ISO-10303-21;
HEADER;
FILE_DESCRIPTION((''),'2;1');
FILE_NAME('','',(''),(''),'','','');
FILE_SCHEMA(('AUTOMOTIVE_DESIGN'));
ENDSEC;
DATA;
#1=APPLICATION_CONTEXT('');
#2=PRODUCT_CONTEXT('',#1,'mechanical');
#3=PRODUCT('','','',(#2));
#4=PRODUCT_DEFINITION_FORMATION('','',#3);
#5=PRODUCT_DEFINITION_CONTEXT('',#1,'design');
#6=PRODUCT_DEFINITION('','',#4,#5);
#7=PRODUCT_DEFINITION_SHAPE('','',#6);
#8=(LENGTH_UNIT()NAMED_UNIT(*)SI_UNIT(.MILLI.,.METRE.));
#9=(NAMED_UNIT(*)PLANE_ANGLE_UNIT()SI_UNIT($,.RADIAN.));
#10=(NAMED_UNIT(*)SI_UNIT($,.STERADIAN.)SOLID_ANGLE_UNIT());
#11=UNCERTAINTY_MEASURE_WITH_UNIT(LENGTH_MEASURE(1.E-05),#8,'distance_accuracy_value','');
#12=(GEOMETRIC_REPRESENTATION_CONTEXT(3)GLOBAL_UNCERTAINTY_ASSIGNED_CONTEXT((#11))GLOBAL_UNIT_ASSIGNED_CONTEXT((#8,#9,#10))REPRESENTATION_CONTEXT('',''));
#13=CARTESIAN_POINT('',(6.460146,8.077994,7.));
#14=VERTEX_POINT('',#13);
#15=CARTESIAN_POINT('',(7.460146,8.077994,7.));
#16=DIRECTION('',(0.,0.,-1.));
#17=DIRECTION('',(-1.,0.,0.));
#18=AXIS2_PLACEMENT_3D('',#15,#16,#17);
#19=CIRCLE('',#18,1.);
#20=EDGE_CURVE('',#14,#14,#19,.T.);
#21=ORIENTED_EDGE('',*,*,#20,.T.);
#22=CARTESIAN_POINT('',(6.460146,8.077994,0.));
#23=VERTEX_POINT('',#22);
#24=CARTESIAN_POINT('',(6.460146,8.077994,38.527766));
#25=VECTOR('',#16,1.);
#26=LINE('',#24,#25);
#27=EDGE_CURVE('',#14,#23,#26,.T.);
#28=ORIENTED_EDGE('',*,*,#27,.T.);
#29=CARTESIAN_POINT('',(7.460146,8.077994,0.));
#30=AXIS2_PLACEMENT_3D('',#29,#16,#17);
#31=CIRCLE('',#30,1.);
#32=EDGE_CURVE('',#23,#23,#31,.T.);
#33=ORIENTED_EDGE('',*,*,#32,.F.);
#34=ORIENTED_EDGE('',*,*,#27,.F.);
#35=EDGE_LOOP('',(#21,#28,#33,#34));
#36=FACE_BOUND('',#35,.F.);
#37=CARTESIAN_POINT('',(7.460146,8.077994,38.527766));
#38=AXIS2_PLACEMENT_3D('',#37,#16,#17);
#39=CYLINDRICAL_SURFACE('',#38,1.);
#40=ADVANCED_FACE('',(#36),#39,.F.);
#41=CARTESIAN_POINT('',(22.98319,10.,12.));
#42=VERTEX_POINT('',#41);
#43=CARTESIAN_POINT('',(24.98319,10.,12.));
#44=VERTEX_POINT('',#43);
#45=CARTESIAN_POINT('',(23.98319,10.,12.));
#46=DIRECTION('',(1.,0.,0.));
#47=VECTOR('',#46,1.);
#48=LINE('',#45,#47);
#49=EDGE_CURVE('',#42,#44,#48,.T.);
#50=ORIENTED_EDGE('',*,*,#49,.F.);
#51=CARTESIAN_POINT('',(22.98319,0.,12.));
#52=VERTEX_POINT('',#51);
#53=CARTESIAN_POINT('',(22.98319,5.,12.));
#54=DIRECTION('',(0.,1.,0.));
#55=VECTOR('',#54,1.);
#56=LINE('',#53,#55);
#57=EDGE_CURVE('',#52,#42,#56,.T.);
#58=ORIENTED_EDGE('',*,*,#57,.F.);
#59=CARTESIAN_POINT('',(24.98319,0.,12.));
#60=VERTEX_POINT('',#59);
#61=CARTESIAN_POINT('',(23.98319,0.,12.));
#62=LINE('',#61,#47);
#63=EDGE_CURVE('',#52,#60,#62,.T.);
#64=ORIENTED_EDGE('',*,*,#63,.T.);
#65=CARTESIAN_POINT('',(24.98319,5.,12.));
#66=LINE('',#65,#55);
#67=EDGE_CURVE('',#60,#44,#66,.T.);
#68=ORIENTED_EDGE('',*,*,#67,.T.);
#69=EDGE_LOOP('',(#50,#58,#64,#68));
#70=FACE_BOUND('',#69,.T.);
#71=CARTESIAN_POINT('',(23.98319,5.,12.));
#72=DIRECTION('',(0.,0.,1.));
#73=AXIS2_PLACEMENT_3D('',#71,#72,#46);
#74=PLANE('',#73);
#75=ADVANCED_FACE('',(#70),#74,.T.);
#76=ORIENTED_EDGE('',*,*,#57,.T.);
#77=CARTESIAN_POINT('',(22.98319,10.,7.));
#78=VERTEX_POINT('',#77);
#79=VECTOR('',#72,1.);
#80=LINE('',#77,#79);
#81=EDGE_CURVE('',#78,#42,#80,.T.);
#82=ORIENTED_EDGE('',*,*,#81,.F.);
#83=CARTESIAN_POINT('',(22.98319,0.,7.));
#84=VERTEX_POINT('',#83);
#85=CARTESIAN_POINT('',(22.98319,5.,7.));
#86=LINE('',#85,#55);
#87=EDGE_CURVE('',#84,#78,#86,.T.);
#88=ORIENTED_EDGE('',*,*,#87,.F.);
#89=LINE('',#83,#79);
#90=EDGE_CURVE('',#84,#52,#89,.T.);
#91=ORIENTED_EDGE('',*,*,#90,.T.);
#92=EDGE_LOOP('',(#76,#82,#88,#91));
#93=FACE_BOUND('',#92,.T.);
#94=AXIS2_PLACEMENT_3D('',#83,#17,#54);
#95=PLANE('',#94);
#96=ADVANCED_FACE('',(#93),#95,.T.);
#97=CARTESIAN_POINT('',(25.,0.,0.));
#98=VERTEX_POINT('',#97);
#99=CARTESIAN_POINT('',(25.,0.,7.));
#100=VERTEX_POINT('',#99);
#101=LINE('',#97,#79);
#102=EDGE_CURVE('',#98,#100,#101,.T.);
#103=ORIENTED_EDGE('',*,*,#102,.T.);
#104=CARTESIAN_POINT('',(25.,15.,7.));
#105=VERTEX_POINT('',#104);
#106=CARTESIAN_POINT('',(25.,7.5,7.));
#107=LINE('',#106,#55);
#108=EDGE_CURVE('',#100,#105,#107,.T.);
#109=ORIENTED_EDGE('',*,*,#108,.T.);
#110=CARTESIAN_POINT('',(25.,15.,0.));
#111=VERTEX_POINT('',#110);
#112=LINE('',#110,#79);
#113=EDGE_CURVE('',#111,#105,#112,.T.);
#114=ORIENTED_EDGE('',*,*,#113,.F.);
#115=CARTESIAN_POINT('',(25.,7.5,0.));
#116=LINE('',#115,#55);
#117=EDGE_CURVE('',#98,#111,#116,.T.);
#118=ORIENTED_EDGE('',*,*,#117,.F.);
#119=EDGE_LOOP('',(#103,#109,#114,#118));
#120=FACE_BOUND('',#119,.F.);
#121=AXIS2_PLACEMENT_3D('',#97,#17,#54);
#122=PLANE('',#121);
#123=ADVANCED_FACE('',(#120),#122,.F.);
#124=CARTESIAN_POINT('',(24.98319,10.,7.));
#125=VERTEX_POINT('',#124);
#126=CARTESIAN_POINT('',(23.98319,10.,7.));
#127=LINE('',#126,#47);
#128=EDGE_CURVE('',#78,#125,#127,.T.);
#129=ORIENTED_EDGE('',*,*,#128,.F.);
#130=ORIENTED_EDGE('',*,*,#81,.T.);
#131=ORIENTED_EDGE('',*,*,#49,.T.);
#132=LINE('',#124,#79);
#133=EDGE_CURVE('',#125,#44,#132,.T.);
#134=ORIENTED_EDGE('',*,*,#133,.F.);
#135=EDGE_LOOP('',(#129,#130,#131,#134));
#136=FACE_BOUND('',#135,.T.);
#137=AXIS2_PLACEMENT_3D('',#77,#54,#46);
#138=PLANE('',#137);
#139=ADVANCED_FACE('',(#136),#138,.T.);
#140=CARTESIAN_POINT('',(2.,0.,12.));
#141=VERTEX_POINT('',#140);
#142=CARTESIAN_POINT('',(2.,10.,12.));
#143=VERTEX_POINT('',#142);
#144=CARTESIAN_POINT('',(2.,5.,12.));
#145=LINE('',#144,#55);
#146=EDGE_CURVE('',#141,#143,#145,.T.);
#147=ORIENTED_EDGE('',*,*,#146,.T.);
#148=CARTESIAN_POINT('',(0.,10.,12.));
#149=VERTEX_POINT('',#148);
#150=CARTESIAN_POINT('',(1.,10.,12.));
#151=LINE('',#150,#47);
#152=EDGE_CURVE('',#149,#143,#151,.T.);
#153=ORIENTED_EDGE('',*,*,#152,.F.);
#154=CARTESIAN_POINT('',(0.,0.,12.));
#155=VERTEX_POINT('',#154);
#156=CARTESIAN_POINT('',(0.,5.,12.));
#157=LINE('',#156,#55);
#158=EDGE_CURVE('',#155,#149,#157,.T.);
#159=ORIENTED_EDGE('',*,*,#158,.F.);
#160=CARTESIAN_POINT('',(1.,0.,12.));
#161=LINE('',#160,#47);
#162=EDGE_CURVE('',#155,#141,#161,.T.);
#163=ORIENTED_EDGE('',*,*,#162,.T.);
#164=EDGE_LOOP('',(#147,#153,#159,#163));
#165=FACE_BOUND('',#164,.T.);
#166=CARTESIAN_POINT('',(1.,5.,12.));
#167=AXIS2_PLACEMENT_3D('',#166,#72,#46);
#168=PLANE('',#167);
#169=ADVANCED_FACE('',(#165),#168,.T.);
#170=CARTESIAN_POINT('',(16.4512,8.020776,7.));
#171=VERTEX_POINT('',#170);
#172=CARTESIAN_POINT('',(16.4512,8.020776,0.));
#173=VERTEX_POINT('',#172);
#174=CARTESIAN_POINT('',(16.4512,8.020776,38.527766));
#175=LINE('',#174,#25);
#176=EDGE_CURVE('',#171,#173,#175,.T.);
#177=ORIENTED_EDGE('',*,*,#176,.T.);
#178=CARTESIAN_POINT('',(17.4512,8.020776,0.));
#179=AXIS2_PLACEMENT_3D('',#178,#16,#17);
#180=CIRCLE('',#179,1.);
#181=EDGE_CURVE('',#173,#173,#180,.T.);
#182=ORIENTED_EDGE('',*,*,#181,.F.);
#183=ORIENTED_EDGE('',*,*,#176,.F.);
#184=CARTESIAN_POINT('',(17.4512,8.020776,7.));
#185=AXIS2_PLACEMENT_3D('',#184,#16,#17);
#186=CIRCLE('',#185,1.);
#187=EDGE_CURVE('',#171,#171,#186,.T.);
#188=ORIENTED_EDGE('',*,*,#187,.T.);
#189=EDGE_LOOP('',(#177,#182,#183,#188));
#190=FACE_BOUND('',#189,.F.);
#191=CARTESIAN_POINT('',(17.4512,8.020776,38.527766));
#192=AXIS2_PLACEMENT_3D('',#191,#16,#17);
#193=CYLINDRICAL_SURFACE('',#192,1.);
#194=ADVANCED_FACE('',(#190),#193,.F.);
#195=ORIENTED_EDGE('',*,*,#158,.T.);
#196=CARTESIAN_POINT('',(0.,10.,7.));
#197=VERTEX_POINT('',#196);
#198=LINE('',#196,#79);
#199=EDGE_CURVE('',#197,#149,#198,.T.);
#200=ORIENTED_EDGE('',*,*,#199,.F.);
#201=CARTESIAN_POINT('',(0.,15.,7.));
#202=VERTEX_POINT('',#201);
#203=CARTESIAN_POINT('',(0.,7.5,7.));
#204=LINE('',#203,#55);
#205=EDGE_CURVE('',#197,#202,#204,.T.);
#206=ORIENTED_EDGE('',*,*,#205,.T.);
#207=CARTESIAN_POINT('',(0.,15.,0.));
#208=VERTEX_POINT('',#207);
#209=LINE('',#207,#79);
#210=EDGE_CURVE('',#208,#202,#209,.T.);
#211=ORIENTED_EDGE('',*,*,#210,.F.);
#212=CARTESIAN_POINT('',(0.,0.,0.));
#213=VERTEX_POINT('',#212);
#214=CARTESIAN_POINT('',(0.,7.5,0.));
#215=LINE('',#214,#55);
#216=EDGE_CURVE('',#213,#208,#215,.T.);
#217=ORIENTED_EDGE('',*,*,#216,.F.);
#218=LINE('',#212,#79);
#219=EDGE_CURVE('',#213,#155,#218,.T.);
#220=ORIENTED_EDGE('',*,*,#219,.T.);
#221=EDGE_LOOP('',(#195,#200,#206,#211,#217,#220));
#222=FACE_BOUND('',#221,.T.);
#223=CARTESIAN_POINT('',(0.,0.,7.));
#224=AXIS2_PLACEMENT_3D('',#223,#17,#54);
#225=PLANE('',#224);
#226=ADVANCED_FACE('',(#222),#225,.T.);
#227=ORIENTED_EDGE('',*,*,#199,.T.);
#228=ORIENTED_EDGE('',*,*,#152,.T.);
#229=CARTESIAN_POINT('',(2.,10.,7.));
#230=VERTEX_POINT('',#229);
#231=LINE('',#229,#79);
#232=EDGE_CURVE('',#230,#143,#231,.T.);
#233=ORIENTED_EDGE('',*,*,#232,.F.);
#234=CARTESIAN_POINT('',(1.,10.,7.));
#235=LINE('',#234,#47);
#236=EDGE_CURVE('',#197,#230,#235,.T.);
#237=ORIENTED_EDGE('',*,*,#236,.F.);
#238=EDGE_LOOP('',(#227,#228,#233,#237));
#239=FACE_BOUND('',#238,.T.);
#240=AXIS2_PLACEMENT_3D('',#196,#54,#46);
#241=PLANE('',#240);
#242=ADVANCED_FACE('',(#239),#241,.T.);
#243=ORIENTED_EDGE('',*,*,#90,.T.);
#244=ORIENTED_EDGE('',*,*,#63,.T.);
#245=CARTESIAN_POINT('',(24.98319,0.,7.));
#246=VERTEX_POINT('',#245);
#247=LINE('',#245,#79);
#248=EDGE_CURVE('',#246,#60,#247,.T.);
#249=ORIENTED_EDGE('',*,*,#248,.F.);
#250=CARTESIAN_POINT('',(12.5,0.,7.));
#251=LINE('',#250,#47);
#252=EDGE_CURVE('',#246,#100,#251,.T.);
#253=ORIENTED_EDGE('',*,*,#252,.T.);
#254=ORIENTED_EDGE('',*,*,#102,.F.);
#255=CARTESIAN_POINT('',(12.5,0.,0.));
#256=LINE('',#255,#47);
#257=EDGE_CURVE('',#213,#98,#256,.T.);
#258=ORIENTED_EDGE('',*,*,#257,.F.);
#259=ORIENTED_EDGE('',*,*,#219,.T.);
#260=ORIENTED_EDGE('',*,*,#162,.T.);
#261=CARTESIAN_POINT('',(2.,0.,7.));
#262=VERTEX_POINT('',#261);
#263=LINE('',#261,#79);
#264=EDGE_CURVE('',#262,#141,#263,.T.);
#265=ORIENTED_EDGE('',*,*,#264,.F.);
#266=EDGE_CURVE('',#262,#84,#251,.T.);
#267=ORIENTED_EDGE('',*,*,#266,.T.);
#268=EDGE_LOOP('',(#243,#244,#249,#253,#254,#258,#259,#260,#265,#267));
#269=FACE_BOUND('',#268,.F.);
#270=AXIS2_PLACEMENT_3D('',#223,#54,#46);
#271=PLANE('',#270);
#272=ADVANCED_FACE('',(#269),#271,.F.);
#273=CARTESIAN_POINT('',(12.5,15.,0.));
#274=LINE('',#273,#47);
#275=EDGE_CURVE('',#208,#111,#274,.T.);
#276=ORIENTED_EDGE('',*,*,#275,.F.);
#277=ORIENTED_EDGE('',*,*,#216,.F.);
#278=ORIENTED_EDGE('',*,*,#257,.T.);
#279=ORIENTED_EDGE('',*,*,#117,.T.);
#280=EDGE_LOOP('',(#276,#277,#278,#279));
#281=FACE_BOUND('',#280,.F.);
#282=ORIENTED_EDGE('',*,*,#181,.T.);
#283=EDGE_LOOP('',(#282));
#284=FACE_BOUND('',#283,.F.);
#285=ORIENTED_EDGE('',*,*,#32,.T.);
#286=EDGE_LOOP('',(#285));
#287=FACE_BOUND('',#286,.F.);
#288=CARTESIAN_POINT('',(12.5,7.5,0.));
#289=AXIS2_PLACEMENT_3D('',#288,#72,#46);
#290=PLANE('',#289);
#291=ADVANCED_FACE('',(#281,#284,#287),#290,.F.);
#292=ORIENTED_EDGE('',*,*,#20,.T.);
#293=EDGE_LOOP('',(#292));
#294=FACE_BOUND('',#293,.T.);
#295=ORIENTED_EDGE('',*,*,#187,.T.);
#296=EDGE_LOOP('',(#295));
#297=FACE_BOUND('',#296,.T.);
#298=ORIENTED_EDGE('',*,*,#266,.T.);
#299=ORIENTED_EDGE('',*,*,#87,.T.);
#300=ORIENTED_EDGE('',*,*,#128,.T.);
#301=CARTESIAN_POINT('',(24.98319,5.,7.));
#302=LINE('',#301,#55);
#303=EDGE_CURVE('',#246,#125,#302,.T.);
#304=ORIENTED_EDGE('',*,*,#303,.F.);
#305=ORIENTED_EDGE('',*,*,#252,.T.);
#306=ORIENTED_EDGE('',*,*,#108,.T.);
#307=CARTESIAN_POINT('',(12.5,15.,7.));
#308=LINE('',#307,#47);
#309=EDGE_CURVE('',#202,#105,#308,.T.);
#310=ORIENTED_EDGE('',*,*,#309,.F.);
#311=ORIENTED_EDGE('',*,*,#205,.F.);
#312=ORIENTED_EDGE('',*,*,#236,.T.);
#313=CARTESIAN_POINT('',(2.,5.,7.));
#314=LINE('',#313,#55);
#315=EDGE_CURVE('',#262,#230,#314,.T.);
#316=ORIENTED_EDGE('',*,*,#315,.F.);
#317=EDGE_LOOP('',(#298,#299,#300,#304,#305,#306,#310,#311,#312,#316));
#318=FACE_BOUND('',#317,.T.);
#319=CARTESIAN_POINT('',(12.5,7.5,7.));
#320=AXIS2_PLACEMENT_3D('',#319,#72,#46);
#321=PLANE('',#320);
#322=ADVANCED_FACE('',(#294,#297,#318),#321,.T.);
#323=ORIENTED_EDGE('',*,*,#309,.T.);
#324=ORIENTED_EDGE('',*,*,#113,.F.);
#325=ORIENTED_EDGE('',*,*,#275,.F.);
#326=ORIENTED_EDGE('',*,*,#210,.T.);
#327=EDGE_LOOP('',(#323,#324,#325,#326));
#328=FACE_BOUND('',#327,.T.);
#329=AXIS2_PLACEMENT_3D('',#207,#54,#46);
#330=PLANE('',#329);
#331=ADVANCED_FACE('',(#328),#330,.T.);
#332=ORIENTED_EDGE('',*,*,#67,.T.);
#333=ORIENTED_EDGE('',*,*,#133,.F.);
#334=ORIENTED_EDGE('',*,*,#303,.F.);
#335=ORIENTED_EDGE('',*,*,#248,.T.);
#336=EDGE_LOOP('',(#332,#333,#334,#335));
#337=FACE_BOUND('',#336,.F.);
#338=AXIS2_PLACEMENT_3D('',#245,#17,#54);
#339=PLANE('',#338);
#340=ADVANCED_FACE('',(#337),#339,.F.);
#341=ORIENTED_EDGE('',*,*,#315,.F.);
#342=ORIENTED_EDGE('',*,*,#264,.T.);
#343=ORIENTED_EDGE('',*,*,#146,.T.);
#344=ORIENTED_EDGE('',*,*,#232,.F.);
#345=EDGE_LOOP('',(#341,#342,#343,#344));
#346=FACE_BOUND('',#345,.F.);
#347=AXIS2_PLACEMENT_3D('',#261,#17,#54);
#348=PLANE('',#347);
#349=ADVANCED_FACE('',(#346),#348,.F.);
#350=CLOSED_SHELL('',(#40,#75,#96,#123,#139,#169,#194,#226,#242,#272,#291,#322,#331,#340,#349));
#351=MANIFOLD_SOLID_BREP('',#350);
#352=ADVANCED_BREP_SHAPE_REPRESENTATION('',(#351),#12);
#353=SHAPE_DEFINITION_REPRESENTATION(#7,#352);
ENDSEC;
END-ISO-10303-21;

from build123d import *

# Parameters (mm, degrees)
F0_W     = 25
F0_H     = 15
F1_DEPTH = 7
F3_W     = 2
F3_H     = 10
F4_DEPTH = 5
F5_W     = 2
F5_H     = 10
F6_DEPTH = 5
F9_D     = 2


with BuildPart() as f1:
    # F0 (on Top) → F1 (new body)
    with BuildSketch(Plane.XY):
        with Locations((12.5, 7.5)):
            Rectangle(F0_W, F0_H)
    extrude(amount=F1_DEPTH)

    # F3 (on face) → F4 (join)
    with BuildSketch(Plane.XY.offset(7)):
        with Locations((1, 5)):
            Rectangle(F3_W, F3_H)
    extrude(amount=F4_DEPTH)

    # F5 (on face) → F6 (join)
    with BuildSketch(Plane.XY.offset(7)):
        with Locations((23.98319, 5)):
            Rectangle(F5_W, F5_H)
    extrude(amount=F6_DEPTH)

    # F9 (through all)
    with Locations(Plane.XY.offset(7)):
        with Locations((7.460146, 8.077994), (17.4512, 8.020776)):
            Hole(F9_D / 2)


solid = f1.part
